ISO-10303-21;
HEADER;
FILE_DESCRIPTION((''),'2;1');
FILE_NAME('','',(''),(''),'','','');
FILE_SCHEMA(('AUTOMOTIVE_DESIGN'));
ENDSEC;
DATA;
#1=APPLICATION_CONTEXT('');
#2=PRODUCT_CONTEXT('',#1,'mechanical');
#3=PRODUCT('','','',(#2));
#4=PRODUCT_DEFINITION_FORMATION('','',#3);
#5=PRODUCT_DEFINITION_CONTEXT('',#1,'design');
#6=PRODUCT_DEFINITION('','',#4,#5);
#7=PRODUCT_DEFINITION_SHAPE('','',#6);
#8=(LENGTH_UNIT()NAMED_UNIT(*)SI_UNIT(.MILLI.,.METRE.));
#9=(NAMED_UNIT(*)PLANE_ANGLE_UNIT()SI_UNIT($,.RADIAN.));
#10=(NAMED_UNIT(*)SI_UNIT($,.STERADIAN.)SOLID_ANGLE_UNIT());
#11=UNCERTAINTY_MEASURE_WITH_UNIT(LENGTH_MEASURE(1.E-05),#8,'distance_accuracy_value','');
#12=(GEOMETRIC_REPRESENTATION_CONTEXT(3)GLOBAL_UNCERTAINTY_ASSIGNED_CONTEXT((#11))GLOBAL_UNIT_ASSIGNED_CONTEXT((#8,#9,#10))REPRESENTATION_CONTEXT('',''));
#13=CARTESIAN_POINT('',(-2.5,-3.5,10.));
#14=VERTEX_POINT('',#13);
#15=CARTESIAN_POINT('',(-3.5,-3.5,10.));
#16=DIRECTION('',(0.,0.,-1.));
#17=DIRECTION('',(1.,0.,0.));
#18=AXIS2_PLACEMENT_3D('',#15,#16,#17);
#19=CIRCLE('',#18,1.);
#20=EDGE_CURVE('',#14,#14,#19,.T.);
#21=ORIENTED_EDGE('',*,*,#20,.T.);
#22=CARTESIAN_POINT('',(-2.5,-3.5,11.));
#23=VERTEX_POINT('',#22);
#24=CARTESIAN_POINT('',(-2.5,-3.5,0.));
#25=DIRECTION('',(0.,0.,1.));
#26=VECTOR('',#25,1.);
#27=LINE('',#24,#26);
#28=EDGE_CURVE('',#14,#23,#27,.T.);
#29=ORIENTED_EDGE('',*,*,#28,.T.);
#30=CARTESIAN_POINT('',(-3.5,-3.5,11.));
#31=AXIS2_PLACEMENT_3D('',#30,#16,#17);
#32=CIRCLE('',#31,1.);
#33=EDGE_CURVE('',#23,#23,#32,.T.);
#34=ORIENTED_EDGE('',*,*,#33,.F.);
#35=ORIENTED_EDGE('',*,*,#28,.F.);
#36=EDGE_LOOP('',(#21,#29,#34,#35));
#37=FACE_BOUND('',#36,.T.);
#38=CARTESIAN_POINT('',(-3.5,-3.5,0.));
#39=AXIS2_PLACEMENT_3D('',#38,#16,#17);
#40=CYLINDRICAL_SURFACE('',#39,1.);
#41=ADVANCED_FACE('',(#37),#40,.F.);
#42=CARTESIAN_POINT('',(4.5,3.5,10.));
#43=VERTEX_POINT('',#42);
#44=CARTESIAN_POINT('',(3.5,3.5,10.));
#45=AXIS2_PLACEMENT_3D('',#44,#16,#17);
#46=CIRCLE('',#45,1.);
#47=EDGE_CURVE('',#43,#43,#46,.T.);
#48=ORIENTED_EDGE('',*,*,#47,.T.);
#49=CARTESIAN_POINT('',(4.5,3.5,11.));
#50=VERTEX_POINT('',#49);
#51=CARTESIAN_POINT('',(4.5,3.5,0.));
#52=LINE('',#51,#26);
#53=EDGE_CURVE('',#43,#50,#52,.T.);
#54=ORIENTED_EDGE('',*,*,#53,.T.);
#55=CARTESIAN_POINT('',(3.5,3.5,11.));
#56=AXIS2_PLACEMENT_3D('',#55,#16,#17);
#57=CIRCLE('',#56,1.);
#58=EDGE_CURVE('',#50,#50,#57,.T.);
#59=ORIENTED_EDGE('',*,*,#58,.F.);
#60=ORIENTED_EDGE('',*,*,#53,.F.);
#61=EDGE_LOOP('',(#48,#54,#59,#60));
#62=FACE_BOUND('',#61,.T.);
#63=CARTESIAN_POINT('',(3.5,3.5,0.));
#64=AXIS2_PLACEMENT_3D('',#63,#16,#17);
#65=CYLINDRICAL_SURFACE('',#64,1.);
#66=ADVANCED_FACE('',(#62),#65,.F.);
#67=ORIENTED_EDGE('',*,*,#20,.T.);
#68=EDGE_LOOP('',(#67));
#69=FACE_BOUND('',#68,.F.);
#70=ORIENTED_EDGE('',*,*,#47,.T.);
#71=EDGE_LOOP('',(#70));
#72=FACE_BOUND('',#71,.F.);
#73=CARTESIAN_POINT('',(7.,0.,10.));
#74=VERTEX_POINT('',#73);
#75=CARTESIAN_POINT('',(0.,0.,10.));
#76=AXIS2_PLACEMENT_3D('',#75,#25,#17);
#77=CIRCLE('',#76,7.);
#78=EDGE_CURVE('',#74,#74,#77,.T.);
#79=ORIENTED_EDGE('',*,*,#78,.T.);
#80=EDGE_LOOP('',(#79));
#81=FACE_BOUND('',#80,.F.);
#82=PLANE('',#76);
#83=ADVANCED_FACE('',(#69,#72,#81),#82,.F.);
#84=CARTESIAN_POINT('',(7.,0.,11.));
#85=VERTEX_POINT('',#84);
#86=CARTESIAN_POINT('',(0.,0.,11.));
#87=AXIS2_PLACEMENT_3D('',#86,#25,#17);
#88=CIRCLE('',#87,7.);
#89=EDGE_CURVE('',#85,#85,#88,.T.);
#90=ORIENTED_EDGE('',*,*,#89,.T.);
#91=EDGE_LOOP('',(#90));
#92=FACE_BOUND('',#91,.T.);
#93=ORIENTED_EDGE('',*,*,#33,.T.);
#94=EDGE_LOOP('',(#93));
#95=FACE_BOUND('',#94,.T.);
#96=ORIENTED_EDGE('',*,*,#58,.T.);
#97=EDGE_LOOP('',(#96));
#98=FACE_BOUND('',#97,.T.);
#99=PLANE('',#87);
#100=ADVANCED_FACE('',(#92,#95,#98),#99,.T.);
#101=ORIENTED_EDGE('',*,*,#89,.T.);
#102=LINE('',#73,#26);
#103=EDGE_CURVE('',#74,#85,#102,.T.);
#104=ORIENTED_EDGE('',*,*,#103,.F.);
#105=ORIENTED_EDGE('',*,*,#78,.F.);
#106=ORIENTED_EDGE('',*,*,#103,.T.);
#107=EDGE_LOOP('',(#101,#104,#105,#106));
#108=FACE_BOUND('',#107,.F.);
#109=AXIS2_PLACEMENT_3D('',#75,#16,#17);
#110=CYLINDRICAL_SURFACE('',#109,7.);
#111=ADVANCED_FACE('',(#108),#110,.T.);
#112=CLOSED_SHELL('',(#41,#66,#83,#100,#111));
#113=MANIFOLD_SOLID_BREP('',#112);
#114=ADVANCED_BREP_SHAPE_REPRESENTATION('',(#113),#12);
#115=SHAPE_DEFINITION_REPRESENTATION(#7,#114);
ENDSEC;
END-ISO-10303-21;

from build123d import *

# Parameters (mm, degrees)
CYLINDER064_R     = 1
CYLINDER064_DEPTH = 20
CYLINDER065_R     = 1
CYLINDER065_DEPTH = 20
CYLINDER066_R     = 7
CYLINDER066_DEPTH = 1


with BuildPart() as v_lec064:
    # Cylinder064 → Cylinder064 (new body)
    with BuildSketch(Plane(origin=(-3.5, -3.5, 0), x_dir=(1, 0, 0), z_dir=(0, 0, 1))):
        Circle(CYLINDER064_R)
    extrude(amount=CYLINDER064_DEPTH)


with BuildPart() as compound035:
    # Cylinder065 → Cylinder065 (new body)
    with BuildSketch(Plane(origin=(3.5, 3.5, 0), x_dir=(1, 0, 0), z_dir=(0, 0, 1))):
        Circle(CYLINDER065_R)
    extrude(amount=CYLINDER065_DEPTH)

    # Compound035: union Válec064
    add(v_lec064.part)


with BuildPart() as cut035:
    # Cylinder066 → Cylinder066 (new body)
    with BuildSketch(Plane.XY.offset(10)):
        Circle(CYLINDER066_R)
    extrude(amount=CYLINDER066_DEPTH)

    # Cut035: cut Compound035
    add(compound035.part, mode=Mode.SUBTRACT)


solid = cut035.part
